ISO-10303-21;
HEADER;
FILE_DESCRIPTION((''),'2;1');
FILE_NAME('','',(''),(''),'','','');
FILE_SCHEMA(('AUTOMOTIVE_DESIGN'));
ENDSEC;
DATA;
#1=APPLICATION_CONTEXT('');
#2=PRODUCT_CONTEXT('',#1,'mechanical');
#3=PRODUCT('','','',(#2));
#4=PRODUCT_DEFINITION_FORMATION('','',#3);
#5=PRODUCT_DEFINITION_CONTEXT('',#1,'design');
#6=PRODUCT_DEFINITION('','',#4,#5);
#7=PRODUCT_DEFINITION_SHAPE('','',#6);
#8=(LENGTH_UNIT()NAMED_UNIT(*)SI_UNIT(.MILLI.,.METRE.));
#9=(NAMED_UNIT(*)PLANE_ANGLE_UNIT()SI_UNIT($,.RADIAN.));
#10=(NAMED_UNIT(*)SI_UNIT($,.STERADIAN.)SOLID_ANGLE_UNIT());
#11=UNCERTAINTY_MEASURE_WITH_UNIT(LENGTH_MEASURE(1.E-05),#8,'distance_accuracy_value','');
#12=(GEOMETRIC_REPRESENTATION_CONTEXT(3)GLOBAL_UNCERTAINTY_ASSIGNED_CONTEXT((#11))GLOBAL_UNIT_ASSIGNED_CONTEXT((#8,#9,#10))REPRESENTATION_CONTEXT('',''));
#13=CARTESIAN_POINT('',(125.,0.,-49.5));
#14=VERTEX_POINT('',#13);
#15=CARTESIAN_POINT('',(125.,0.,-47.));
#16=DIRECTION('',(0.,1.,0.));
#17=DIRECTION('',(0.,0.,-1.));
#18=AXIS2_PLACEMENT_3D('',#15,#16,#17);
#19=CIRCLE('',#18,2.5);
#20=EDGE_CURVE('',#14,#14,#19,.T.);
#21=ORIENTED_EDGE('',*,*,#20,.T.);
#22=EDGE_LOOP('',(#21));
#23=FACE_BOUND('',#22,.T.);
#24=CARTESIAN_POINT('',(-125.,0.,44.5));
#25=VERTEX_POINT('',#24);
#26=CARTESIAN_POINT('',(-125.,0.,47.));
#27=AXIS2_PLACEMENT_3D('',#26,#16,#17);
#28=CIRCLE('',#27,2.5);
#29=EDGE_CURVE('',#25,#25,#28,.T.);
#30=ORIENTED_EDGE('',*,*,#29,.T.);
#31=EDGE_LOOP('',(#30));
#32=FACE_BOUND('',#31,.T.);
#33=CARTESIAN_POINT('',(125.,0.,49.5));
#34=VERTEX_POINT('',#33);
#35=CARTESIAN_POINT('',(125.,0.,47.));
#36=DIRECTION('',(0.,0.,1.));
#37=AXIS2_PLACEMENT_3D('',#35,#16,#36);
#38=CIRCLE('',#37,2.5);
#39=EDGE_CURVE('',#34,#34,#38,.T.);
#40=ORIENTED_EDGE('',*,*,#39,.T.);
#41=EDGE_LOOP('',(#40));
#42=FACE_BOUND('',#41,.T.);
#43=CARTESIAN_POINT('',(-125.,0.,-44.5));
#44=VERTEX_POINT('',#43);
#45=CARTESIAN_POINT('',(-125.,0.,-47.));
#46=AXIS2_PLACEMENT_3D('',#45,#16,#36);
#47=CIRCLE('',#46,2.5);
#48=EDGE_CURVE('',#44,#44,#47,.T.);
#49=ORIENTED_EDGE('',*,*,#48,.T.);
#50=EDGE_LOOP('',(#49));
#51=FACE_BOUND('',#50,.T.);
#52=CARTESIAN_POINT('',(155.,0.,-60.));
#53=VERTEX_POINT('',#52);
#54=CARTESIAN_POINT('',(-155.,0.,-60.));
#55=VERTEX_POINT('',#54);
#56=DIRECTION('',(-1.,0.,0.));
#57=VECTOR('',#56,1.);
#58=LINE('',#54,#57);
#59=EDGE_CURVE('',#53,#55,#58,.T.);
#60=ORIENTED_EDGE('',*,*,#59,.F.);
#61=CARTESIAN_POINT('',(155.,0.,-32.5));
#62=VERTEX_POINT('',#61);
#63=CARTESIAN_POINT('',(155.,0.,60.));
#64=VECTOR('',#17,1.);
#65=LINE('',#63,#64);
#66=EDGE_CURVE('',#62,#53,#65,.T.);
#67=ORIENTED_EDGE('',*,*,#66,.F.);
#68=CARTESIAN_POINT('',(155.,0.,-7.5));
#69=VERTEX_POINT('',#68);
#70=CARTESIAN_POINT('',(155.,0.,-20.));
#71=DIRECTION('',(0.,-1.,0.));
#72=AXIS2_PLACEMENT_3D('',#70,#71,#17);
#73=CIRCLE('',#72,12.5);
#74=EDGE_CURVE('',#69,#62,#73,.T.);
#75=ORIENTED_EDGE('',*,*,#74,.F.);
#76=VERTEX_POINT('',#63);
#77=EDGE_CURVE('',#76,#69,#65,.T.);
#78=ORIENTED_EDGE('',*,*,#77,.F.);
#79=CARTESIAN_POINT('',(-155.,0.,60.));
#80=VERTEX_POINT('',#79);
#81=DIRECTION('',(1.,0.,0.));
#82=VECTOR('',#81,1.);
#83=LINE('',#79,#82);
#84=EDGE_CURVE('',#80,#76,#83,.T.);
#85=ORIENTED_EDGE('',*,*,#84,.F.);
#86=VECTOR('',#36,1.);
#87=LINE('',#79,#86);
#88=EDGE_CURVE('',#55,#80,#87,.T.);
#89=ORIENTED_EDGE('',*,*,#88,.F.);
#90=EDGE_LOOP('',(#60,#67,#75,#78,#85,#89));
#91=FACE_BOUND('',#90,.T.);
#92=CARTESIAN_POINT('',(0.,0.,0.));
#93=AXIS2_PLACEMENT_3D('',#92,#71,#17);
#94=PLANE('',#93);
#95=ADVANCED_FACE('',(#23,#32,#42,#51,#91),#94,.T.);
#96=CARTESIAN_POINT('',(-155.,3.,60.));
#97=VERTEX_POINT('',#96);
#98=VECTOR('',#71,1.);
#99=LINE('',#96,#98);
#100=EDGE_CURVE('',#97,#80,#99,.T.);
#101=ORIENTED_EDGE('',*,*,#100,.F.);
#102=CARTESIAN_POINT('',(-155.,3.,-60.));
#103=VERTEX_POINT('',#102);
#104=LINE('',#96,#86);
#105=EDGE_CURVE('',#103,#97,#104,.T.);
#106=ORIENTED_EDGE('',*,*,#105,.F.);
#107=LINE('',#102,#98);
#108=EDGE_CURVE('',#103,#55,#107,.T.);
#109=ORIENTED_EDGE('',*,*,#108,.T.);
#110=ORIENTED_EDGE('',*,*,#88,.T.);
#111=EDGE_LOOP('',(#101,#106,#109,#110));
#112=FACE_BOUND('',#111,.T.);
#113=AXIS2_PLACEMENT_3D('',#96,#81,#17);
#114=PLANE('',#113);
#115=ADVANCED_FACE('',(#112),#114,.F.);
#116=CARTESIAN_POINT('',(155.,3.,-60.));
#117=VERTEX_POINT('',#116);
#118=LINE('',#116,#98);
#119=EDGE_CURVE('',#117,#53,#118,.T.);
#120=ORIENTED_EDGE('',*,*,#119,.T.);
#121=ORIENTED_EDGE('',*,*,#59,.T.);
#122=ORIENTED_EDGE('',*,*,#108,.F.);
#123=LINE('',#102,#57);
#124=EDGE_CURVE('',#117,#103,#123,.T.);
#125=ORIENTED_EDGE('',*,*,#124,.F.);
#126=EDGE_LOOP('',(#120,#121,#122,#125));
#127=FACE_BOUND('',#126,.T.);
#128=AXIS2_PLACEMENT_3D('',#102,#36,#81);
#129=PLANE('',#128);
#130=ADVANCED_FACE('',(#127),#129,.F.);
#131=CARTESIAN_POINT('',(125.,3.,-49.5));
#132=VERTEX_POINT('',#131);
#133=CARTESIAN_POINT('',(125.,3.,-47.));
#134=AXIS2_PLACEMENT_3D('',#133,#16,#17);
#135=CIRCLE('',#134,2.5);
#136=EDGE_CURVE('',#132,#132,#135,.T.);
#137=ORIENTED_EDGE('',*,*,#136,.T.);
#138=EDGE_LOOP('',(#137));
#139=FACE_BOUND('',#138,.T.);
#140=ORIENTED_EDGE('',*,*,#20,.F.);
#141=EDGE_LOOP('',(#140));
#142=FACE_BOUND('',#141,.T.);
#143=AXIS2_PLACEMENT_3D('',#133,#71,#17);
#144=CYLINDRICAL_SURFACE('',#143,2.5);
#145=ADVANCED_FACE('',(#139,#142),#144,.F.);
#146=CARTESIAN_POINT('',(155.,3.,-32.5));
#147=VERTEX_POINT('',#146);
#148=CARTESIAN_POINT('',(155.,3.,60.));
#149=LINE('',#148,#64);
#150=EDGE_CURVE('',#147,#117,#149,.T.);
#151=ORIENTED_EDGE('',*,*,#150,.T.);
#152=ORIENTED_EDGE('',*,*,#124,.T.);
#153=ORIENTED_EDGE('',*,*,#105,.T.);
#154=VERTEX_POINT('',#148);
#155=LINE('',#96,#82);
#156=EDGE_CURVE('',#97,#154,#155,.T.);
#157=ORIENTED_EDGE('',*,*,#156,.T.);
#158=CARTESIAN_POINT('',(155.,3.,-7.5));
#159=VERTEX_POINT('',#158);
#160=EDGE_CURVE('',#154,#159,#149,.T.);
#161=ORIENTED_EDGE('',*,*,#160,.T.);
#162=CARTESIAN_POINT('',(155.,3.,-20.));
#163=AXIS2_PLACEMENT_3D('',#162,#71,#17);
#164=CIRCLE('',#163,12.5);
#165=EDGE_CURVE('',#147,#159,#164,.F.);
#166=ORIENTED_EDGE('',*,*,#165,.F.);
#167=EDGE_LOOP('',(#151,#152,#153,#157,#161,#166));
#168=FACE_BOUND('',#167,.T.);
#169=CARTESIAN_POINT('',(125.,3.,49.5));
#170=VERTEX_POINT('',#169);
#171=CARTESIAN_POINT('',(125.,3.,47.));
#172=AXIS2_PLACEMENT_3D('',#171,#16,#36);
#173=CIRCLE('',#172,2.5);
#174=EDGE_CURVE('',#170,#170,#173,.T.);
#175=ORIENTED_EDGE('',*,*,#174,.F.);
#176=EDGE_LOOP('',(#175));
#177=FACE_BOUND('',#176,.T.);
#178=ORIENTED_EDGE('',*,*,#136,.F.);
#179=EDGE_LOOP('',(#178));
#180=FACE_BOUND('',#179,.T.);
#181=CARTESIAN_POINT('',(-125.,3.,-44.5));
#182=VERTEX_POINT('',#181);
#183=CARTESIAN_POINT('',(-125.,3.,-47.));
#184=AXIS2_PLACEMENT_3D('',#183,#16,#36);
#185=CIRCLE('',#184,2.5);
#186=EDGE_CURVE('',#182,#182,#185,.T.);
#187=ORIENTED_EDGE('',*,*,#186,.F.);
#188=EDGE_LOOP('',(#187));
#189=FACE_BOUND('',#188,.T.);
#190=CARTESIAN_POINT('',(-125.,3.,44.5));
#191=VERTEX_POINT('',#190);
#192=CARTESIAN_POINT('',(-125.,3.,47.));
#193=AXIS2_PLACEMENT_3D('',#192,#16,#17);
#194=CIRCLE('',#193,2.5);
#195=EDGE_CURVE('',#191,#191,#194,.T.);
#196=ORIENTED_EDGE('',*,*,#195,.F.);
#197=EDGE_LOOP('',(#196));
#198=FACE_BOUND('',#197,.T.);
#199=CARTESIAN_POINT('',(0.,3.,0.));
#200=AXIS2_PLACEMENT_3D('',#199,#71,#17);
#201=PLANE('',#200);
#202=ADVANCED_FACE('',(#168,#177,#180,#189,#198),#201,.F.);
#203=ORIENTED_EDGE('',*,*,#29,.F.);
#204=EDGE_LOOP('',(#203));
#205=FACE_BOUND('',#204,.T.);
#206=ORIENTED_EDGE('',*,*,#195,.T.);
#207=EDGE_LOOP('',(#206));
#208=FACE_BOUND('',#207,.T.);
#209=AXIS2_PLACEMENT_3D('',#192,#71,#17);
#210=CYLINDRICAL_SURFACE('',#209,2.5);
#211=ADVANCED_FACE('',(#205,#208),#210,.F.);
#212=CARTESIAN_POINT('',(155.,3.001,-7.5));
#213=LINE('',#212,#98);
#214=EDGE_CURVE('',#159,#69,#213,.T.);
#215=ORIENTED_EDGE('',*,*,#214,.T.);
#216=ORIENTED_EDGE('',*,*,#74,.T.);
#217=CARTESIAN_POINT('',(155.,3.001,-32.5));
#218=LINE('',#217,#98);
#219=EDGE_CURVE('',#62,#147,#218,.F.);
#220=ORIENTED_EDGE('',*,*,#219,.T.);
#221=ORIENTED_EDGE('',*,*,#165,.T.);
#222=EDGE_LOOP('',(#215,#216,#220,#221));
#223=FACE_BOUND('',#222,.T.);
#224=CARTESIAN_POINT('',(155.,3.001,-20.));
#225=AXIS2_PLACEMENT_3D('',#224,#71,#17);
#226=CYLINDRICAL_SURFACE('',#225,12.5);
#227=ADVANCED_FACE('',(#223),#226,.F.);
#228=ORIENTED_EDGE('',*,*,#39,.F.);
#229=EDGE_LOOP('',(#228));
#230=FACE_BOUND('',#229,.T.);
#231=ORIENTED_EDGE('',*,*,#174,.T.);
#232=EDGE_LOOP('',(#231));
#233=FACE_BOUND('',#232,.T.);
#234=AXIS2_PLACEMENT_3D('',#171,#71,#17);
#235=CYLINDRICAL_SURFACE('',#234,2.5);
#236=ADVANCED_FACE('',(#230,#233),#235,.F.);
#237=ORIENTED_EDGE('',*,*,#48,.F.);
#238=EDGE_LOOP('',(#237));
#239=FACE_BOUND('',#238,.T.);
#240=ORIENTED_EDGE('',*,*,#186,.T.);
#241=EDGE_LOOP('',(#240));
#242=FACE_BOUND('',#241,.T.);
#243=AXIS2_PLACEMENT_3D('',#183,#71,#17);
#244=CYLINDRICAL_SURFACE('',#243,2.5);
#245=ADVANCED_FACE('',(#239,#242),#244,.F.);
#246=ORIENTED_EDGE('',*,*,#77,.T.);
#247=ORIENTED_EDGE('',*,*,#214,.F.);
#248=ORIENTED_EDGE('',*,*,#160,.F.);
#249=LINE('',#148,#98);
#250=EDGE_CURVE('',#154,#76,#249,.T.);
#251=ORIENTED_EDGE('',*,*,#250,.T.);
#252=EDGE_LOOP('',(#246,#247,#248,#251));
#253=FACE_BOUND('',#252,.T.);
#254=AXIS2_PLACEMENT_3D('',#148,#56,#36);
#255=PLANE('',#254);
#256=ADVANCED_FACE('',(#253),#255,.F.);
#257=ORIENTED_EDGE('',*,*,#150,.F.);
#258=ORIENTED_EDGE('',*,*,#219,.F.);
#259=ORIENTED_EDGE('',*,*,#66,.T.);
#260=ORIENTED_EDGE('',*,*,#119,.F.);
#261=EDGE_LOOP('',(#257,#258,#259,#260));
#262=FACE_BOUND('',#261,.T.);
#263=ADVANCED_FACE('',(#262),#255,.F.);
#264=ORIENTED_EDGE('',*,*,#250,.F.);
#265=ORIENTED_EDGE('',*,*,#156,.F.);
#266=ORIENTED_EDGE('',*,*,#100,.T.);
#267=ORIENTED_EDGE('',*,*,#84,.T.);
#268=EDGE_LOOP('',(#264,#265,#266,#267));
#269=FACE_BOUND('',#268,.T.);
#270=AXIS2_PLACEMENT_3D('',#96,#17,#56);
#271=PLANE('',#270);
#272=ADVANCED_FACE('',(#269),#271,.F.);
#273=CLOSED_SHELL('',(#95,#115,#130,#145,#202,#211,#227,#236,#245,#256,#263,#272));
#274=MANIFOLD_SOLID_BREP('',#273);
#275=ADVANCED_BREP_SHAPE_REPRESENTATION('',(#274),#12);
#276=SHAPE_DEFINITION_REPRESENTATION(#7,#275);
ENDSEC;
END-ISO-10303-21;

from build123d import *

# Parameters (mm, degrees)
SKETCH1_W           = 310
SKETCH1_H           = 120
SKETCH1_R           = 2.5
BOSS_EXTRUDE1_DEPTH = 3
CUT_EXTRUDE1_REACH  = 168.235
SKETCH2_R           = 12.5


with BuildPart() as part:
    # Sketch1 → Boss-Extrude1 (new body)
    with BuildSketch(Plane(origin=(0, 0, 0), x_dir=(1, 0, 0), z_dir=(0, 1, 0))):
        Rectangle(SKETCH1_W, SKETCH1_H)
        with Locations(Location((-125, 47, 0), (0, 0, 270))):
            Circle(SKETCH1_R, mode=Mode.SUBTRACT)
        with Locations(Location((125, 47, 0), (0, 0, 90))):
            Circle(SKETCH1_R, mode=Mode.SUBTRACT)
        with Locations(Location((125, -47, 0), (0, 0, 270))):
            Circle(SKETCH1_R, mode=Mode.SUBTRACT)
        with Locations(Location((-125, -47, 0), (0, 0, 90))):
            Circle(SKETCH1_R, mode=Mode.SUBTRACT)
    extrude(amount=BOSS_EXTRUDE1_DEPTH)

    # Sketch2 → Cut-Extrude1 (cut, up to next)
    with BuildSketch(Plane.XZ, mode=Mode.PRIVATE) as cut_extrude1_sk1:
        with Locations((155, -20)):
            Circle(SKETCH2_R)
    cut_extrude1_tool1 = extrude(cut_extrude1_sk1.sketch, amount=-CUT_EXTRUDE1_REACH, mode=Mode.PRIVATE) & part.part
    add(cut_extrude1_tool1.solids().sort_by_distance((155, 0, -20))[0], mode=Mode.SUBTRACT)


solid = part.part
